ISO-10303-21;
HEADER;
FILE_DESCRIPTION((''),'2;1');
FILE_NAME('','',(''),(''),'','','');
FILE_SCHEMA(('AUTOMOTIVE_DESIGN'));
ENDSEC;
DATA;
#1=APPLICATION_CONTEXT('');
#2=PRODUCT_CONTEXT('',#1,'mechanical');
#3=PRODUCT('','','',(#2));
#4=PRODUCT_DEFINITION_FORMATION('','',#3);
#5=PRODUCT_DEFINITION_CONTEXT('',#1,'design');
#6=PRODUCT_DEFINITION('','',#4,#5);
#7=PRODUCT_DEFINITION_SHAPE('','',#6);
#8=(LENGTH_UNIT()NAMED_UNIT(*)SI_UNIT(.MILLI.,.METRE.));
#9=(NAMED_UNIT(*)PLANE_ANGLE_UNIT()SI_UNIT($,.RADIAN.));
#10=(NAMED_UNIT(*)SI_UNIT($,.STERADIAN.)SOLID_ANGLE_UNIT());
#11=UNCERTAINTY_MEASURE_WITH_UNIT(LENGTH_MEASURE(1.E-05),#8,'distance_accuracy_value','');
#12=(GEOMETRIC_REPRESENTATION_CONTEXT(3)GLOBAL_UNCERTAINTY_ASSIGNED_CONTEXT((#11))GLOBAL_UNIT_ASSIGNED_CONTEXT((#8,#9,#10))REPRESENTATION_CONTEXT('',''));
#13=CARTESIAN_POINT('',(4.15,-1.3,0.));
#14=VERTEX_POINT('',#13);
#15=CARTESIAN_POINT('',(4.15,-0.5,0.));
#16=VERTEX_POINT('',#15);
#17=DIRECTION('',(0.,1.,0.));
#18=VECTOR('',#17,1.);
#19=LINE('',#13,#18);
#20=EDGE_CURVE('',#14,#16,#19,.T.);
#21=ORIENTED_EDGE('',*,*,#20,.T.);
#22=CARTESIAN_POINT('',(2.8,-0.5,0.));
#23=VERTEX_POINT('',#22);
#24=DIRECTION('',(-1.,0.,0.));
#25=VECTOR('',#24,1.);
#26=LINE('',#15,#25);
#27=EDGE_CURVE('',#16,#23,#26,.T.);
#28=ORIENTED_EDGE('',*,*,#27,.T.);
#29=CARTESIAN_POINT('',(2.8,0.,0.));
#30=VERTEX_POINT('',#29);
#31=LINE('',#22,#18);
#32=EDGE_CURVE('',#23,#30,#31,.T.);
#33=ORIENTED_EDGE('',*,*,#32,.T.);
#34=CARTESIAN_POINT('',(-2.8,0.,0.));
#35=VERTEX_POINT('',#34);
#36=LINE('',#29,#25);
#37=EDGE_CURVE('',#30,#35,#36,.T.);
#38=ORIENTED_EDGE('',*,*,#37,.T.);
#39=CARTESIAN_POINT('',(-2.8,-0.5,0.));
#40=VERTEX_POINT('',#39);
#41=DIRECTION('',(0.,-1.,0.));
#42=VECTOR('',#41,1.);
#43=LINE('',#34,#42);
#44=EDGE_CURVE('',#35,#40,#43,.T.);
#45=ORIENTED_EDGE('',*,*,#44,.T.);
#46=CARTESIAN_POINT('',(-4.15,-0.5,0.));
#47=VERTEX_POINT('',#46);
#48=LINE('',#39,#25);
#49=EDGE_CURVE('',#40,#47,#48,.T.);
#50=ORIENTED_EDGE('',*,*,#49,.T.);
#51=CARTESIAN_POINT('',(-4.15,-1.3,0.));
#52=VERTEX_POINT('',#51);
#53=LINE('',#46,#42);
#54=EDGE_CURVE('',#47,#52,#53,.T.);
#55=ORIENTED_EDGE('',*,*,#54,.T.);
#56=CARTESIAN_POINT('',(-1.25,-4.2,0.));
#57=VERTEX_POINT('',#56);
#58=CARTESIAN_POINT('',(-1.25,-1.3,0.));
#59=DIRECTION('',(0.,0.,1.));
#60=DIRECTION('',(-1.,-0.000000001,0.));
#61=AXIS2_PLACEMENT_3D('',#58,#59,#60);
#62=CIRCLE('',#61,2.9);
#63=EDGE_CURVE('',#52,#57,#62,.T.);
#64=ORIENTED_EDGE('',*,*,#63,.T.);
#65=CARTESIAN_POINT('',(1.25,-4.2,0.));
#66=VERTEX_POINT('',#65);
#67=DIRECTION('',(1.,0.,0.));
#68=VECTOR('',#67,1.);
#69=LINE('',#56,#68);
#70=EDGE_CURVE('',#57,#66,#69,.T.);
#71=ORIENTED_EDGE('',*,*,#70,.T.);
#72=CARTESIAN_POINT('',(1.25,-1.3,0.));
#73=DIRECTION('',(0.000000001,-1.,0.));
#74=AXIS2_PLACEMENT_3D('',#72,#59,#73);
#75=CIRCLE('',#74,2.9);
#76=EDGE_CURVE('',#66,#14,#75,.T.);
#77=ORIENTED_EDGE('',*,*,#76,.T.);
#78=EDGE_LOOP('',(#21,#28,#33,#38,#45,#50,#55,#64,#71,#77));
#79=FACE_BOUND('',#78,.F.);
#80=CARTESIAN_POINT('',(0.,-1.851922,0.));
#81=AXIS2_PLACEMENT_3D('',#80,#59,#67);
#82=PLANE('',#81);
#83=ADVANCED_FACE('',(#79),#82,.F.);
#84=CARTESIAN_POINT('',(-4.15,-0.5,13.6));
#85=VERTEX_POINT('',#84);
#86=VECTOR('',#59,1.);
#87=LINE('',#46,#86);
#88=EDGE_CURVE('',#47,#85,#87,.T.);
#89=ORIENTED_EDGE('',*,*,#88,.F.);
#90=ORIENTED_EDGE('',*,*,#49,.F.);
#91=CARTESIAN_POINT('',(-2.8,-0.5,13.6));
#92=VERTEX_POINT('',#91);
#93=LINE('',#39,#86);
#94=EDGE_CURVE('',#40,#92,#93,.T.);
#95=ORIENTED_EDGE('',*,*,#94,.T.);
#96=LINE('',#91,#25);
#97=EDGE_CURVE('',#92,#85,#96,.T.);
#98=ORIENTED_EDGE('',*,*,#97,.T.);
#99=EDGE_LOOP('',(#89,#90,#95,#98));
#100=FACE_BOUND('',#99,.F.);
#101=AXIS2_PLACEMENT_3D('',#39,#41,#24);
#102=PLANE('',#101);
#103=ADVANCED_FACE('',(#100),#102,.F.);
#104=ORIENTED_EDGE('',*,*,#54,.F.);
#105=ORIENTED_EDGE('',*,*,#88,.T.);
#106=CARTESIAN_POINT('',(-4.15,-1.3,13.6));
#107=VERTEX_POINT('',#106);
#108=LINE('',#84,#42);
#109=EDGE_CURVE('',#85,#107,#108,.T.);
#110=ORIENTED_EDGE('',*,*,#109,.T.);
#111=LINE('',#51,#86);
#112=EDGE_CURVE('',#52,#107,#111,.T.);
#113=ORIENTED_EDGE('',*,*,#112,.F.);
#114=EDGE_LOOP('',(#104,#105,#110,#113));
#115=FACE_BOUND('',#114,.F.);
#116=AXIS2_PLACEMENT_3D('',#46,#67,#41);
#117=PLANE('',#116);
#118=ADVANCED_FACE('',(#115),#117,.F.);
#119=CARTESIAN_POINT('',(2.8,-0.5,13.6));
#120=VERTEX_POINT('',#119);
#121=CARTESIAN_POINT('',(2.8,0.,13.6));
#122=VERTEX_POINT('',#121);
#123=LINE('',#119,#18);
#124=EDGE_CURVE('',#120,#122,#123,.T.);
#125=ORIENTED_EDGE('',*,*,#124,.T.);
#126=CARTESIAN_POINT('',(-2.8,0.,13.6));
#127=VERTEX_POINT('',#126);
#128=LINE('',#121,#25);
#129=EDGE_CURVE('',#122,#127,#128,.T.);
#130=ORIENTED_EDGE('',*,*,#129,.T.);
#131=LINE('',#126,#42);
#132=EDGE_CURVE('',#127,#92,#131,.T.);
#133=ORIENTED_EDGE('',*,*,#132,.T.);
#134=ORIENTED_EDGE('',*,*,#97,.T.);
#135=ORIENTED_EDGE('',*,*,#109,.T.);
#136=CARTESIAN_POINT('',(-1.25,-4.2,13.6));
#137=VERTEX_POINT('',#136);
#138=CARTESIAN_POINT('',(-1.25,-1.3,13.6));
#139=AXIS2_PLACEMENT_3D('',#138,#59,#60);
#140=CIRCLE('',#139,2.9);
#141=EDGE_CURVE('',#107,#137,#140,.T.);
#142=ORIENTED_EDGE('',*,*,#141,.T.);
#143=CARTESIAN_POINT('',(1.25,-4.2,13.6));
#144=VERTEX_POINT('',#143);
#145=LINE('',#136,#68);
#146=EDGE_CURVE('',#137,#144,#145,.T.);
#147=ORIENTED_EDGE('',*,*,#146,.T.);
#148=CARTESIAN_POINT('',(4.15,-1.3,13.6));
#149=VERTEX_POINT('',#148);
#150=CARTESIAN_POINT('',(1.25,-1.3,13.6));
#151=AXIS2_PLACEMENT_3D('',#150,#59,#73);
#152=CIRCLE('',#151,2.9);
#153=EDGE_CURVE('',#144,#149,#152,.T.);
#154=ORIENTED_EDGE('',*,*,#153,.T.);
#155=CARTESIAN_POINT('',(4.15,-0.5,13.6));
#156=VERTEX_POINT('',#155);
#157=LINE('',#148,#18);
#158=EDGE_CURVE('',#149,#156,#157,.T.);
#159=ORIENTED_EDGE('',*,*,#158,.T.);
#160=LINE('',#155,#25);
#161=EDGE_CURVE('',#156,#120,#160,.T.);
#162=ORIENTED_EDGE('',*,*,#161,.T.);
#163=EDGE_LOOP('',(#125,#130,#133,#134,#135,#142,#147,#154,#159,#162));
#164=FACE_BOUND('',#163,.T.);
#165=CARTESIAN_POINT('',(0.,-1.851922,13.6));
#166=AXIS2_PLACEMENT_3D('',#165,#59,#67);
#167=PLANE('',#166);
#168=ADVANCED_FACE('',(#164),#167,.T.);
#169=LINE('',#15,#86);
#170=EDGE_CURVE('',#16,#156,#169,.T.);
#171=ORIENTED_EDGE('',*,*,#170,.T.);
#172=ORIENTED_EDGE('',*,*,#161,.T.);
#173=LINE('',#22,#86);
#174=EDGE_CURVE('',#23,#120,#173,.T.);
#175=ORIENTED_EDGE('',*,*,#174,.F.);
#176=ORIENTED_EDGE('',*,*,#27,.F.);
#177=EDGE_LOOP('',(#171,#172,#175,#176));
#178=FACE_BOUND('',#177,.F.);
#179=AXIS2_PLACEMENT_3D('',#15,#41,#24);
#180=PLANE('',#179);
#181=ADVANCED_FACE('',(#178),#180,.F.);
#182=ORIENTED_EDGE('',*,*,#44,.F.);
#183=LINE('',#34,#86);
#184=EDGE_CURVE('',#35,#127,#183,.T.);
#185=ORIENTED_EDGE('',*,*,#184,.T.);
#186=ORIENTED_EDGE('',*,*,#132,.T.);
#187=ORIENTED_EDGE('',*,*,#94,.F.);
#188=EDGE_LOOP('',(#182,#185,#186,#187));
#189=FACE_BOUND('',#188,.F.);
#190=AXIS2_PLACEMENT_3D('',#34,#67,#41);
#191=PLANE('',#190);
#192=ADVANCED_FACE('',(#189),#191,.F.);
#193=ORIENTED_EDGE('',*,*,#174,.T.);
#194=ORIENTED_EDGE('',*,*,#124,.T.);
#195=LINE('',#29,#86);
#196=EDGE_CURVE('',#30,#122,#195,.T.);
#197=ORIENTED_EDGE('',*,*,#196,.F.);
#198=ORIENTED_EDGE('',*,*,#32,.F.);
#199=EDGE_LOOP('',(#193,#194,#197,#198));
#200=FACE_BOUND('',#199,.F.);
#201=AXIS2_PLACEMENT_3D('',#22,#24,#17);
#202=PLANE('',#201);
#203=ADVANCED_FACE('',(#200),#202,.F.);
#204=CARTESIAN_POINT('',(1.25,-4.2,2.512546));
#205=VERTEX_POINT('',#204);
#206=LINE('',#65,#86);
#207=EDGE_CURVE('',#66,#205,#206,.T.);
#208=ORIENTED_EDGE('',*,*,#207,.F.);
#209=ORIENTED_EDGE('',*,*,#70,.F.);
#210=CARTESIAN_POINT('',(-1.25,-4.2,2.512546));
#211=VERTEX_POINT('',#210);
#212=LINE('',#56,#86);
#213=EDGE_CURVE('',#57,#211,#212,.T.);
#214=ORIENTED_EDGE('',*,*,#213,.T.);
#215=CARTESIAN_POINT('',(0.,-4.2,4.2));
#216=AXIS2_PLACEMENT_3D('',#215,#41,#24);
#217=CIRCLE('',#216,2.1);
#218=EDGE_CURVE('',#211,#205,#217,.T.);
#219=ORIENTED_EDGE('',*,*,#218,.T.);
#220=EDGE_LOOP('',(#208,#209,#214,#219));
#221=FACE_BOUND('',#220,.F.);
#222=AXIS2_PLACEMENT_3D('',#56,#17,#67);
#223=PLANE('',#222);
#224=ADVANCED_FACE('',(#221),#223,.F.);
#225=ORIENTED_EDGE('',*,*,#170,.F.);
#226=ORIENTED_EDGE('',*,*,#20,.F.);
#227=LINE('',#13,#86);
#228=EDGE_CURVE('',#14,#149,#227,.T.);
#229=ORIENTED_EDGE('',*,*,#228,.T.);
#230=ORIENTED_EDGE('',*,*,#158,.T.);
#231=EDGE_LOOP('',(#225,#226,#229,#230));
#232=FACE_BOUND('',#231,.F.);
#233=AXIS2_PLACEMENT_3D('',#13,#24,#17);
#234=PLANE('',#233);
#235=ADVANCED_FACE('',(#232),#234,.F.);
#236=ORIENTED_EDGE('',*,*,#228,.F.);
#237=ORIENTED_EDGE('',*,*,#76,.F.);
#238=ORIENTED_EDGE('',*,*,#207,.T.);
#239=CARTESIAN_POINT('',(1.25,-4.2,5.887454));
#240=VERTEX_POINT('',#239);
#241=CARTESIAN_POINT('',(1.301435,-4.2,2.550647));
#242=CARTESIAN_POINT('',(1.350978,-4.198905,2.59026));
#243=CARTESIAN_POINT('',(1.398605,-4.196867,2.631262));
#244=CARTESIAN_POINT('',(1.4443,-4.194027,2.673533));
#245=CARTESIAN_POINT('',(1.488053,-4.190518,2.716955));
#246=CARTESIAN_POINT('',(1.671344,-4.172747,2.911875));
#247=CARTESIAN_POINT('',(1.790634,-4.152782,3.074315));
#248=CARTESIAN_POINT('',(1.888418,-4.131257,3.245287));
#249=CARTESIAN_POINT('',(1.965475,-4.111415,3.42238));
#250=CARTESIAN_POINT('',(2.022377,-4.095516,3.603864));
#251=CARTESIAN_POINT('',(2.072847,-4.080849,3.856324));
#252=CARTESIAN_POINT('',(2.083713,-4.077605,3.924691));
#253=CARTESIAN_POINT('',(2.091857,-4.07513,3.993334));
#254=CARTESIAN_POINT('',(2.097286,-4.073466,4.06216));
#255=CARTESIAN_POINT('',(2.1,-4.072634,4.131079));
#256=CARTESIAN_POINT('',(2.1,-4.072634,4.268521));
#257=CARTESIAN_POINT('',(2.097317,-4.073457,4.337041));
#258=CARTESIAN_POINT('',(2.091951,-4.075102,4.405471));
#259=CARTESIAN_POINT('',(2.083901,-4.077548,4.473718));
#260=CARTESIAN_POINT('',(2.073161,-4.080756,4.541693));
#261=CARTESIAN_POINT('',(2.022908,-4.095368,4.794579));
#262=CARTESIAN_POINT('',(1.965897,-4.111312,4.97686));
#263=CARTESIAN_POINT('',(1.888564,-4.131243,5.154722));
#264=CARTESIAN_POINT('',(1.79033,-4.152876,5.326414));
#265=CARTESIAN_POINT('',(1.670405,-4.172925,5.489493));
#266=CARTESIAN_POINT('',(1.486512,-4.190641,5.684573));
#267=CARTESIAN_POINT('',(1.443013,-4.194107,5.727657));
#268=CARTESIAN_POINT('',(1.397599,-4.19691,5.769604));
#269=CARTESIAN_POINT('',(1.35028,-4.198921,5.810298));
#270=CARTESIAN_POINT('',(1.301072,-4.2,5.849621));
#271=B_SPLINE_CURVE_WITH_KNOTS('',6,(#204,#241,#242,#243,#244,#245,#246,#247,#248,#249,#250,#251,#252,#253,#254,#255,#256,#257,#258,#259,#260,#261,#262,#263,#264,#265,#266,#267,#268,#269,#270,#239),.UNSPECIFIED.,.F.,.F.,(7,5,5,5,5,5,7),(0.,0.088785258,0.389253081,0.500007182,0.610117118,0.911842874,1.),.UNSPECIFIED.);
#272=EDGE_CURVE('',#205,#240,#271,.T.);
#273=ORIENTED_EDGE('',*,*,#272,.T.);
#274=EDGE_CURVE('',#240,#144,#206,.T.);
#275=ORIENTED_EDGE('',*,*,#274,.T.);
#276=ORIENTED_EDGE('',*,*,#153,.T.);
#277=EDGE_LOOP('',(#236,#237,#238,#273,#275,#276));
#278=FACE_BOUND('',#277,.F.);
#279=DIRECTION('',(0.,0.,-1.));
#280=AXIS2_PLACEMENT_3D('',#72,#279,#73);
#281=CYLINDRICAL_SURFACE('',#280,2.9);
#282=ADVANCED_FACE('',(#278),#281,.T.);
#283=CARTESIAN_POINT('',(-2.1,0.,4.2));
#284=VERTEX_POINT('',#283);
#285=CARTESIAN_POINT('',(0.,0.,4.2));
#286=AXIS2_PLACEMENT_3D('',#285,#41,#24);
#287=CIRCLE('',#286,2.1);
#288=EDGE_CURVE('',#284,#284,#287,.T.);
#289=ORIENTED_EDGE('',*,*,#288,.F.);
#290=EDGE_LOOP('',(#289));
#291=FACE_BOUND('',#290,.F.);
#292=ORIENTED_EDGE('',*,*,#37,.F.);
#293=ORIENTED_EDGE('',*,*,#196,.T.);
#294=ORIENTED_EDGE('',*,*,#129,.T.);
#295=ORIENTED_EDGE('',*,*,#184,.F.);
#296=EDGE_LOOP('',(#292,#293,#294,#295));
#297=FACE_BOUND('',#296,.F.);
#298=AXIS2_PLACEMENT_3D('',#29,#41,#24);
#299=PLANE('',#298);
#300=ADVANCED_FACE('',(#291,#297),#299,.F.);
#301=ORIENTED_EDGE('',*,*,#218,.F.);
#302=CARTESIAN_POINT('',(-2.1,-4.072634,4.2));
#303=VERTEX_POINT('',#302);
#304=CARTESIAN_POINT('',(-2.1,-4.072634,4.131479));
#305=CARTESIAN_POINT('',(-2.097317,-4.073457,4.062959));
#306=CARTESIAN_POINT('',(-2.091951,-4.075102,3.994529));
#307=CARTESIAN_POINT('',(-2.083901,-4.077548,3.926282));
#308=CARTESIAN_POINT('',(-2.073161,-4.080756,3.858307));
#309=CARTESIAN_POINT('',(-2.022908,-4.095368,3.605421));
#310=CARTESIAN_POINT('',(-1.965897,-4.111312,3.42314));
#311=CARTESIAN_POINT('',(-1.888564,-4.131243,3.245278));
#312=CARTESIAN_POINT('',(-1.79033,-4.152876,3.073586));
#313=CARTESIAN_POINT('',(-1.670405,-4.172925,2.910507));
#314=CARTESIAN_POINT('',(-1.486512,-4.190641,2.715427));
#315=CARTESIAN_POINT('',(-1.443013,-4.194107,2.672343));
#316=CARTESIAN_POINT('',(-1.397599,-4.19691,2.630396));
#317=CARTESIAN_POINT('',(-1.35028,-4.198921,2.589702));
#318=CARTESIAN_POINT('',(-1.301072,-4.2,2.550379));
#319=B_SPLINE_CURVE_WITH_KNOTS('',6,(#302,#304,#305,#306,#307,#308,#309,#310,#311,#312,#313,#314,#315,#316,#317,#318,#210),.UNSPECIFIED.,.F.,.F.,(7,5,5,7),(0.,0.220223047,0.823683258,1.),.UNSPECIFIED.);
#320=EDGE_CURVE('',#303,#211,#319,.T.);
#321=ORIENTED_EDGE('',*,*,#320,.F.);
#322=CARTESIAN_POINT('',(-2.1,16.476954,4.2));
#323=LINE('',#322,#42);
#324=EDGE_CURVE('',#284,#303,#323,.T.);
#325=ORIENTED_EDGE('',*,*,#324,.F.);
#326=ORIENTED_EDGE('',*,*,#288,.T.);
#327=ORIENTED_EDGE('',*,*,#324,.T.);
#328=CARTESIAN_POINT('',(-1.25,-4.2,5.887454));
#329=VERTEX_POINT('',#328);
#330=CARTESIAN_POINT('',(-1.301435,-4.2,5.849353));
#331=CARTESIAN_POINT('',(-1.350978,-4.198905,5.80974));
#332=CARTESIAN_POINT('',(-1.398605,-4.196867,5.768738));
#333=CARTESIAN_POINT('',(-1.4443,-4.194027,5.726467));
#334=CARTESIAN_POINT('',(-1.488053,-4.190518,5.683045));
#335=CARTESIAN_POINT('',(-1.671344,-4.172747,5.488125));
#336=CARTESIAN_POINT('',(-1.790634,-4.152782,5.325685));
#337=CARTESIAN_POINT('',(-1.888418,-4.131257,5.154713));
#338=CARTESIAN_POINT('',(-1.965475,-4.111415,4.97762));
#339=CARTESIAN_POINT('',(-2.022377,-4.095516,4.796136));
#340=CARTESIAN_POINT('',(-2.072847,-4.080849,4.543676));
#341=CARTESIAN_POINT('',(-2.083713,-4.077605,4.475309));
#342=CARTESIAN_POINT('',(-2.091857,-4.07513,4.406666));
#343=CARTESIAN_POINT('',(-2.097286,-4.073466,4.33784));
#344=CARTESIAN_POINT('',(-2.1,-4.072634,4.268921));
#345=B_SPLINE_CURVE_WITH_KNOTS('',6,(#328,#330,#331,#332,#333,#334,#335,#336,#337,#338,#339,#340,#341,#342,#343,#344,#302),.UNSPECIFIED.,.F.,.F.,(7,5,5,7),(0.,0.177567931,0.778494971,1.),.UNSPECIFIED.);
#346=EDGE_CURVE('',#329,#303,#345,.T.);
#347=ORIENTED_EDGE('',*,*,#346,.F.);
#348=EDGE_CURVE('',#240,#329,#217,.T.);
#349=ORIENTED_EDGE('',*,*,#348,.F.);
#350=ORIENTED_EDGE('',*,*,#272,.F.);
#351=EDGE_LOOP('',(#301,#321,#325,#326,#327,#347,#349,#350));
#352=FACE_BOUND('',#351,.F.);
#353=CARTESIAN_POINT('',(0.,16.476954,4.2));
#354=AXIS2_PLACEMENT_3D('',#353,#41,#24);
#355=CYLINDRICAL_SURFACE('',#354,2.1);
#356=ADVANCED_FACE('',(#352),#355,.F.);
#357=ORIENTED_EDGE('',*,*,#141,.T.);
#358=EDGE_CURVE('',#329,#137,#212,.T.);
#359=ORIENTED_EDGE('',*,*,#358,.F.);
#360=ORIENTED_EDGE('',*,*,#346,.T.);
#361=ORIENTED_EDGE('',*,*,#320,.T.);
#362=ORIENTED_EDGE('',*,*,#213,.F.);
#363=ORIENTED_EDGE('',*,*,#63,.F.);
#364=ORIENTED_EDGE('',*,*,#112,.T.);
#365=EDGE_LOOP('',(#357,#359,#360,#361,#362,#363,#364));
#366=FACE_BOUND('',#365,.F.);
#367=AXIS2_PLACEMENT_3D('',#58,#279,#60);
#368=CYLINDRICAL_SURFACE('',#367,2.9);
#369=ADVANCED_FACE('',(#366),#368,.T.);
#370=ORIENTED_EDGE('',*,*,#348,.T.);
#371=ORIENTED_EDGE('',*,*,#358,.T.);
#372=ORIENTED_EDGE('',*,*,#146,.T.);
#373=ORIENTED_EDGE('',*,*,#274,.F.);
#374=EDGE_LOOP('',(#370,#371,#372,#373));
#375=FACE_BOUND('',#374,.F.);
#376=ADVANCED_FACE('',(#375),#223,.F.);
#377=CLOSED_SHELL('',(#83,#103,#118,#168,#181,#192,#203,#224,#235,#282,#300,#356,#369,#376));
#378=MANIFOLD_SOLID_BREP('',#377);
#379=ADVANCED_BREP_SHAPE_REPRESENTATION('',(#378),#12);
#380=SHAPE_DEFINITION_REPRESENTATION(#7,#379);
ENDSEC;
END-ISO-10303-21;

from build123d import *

# Parameters (mm, degrees)
BOSS_EXTRUDE1_DEPTH   = 13.6
M5X0_8_TAPPED_HOLE1_D = 4.2


with BuildPart() as part:
    # Sketch1 → Boss-Extrude1 (new body)
    with BuildSketch(Plane.XY):
        with BuildLine():
            Line((2.8, 0), (-2.8, 0))
            Line((-2.8, 0), (-2.8, -0.5))
            Line((-2.8, -0.5), (-4.15, -0.5))
            Line((-4.15, -0.5), (-4.15, -1.3))
            ThreePointArc((-4.15, -1.3), (-3.300609665, -3.350609665), (-1.25, -4.2))
            Line((-1.25, -4.2), (1.25, -4.2))
            ThreePointArc((1.25, -4.2), (3.300609665, -3.350609665), (4.15, -1.3))
            Line((4.15, -1.3), (4.15, -0.5))
            Line((4.15, -0.5), (2.8, -0.5))
            Line((2.8, -0.5), (2.8, 0))
        make_face()
    extrude(amount=BOSS_EXTRUDE1_DEPTH)

    # M5x0.8 Tapped Hole1 (through all)
    with Locations(Plane(origin=(0, 0, 0), x_dir=(1, 0, 0), z_dir=(0, 1, 0))):
        with Locations((0, -4.2)):
            Hole(M5X0_8_TAPPED_HOLE1_D / 2)


solid = part.part
